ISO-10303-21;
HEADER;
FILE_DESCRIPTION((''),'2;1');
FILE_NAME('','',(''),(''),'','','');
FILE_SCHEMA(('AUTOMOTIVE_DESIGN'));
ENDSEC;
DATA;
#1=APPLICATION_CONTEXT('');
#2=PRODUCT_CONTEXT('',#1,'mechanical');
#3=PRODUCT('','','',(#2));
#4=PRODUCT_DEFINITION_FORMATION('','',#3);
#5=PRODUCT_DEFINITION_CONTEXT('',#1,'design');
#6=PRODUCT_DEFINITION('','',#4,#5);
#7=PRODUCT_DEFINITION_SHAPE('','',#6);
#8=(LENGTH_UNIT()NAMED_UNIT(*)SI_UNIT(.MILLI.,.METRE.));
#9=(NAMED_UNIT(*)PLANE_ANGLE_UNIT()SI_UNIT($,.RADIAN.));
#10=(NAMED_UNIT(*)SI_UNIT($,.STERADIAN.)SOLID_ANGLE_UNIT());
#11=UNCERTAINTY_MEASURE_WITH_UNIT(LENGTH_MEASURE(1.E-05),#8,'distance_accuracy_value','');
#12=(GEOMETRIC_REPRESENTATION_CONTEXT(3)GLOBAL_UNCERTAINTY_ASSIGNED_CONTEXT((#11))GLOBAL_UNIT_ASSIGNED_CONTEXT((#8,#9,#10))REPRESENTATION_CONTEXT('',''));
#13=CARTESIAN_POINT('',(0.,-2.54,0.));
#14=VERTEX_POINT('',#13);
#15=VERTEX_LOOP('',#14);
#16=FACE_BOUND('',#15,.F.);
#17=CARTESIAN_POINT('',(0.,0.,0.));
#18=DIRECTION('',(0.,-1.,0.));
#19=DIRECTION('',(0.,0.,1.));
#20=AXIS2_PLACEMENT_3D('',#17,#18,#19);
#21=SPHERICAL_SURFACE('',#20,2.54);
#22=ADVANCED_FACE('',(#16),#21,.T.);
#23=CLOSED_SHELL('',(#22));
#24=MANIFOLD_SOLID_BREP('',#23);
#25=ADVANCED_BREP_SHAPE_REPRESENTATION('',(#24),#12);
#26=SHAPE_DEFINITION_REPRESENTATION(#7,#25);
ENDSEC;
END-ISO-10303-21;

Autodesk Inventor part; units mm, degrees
ref_plane "YZ Plane" through (0, 0, 0) normal (1, 0, 0) x (0, 1, 0)
ref_plane "XZ Plane" through (0, 0, 0) normal (0, 1, 0) x (-1, 0, 0)
ref_plane "XY Plane" through (0, 0, 0) normal (0, 0, 1) x (1, 0, 0)
sketch "Sketch1" plane through (0, 0, 0) normal (1, 0, 0) x (0, 1, 0)
  circle A0 centre (0, 0) radius 2.54
  line L0 (2.54, 0) -> (-2.54, 0)
  line L1 (-8.89, 0) -> (8.89, 0) projected
  dimension "d0" = 5.08
revolve "Revolution1" add sketch "Sketch1" angle 360 about axis through (0, -10, 0) along (0, 1, 0) picked at (0.6337, 0.5614) contours L0 A0
properties part number "field"
